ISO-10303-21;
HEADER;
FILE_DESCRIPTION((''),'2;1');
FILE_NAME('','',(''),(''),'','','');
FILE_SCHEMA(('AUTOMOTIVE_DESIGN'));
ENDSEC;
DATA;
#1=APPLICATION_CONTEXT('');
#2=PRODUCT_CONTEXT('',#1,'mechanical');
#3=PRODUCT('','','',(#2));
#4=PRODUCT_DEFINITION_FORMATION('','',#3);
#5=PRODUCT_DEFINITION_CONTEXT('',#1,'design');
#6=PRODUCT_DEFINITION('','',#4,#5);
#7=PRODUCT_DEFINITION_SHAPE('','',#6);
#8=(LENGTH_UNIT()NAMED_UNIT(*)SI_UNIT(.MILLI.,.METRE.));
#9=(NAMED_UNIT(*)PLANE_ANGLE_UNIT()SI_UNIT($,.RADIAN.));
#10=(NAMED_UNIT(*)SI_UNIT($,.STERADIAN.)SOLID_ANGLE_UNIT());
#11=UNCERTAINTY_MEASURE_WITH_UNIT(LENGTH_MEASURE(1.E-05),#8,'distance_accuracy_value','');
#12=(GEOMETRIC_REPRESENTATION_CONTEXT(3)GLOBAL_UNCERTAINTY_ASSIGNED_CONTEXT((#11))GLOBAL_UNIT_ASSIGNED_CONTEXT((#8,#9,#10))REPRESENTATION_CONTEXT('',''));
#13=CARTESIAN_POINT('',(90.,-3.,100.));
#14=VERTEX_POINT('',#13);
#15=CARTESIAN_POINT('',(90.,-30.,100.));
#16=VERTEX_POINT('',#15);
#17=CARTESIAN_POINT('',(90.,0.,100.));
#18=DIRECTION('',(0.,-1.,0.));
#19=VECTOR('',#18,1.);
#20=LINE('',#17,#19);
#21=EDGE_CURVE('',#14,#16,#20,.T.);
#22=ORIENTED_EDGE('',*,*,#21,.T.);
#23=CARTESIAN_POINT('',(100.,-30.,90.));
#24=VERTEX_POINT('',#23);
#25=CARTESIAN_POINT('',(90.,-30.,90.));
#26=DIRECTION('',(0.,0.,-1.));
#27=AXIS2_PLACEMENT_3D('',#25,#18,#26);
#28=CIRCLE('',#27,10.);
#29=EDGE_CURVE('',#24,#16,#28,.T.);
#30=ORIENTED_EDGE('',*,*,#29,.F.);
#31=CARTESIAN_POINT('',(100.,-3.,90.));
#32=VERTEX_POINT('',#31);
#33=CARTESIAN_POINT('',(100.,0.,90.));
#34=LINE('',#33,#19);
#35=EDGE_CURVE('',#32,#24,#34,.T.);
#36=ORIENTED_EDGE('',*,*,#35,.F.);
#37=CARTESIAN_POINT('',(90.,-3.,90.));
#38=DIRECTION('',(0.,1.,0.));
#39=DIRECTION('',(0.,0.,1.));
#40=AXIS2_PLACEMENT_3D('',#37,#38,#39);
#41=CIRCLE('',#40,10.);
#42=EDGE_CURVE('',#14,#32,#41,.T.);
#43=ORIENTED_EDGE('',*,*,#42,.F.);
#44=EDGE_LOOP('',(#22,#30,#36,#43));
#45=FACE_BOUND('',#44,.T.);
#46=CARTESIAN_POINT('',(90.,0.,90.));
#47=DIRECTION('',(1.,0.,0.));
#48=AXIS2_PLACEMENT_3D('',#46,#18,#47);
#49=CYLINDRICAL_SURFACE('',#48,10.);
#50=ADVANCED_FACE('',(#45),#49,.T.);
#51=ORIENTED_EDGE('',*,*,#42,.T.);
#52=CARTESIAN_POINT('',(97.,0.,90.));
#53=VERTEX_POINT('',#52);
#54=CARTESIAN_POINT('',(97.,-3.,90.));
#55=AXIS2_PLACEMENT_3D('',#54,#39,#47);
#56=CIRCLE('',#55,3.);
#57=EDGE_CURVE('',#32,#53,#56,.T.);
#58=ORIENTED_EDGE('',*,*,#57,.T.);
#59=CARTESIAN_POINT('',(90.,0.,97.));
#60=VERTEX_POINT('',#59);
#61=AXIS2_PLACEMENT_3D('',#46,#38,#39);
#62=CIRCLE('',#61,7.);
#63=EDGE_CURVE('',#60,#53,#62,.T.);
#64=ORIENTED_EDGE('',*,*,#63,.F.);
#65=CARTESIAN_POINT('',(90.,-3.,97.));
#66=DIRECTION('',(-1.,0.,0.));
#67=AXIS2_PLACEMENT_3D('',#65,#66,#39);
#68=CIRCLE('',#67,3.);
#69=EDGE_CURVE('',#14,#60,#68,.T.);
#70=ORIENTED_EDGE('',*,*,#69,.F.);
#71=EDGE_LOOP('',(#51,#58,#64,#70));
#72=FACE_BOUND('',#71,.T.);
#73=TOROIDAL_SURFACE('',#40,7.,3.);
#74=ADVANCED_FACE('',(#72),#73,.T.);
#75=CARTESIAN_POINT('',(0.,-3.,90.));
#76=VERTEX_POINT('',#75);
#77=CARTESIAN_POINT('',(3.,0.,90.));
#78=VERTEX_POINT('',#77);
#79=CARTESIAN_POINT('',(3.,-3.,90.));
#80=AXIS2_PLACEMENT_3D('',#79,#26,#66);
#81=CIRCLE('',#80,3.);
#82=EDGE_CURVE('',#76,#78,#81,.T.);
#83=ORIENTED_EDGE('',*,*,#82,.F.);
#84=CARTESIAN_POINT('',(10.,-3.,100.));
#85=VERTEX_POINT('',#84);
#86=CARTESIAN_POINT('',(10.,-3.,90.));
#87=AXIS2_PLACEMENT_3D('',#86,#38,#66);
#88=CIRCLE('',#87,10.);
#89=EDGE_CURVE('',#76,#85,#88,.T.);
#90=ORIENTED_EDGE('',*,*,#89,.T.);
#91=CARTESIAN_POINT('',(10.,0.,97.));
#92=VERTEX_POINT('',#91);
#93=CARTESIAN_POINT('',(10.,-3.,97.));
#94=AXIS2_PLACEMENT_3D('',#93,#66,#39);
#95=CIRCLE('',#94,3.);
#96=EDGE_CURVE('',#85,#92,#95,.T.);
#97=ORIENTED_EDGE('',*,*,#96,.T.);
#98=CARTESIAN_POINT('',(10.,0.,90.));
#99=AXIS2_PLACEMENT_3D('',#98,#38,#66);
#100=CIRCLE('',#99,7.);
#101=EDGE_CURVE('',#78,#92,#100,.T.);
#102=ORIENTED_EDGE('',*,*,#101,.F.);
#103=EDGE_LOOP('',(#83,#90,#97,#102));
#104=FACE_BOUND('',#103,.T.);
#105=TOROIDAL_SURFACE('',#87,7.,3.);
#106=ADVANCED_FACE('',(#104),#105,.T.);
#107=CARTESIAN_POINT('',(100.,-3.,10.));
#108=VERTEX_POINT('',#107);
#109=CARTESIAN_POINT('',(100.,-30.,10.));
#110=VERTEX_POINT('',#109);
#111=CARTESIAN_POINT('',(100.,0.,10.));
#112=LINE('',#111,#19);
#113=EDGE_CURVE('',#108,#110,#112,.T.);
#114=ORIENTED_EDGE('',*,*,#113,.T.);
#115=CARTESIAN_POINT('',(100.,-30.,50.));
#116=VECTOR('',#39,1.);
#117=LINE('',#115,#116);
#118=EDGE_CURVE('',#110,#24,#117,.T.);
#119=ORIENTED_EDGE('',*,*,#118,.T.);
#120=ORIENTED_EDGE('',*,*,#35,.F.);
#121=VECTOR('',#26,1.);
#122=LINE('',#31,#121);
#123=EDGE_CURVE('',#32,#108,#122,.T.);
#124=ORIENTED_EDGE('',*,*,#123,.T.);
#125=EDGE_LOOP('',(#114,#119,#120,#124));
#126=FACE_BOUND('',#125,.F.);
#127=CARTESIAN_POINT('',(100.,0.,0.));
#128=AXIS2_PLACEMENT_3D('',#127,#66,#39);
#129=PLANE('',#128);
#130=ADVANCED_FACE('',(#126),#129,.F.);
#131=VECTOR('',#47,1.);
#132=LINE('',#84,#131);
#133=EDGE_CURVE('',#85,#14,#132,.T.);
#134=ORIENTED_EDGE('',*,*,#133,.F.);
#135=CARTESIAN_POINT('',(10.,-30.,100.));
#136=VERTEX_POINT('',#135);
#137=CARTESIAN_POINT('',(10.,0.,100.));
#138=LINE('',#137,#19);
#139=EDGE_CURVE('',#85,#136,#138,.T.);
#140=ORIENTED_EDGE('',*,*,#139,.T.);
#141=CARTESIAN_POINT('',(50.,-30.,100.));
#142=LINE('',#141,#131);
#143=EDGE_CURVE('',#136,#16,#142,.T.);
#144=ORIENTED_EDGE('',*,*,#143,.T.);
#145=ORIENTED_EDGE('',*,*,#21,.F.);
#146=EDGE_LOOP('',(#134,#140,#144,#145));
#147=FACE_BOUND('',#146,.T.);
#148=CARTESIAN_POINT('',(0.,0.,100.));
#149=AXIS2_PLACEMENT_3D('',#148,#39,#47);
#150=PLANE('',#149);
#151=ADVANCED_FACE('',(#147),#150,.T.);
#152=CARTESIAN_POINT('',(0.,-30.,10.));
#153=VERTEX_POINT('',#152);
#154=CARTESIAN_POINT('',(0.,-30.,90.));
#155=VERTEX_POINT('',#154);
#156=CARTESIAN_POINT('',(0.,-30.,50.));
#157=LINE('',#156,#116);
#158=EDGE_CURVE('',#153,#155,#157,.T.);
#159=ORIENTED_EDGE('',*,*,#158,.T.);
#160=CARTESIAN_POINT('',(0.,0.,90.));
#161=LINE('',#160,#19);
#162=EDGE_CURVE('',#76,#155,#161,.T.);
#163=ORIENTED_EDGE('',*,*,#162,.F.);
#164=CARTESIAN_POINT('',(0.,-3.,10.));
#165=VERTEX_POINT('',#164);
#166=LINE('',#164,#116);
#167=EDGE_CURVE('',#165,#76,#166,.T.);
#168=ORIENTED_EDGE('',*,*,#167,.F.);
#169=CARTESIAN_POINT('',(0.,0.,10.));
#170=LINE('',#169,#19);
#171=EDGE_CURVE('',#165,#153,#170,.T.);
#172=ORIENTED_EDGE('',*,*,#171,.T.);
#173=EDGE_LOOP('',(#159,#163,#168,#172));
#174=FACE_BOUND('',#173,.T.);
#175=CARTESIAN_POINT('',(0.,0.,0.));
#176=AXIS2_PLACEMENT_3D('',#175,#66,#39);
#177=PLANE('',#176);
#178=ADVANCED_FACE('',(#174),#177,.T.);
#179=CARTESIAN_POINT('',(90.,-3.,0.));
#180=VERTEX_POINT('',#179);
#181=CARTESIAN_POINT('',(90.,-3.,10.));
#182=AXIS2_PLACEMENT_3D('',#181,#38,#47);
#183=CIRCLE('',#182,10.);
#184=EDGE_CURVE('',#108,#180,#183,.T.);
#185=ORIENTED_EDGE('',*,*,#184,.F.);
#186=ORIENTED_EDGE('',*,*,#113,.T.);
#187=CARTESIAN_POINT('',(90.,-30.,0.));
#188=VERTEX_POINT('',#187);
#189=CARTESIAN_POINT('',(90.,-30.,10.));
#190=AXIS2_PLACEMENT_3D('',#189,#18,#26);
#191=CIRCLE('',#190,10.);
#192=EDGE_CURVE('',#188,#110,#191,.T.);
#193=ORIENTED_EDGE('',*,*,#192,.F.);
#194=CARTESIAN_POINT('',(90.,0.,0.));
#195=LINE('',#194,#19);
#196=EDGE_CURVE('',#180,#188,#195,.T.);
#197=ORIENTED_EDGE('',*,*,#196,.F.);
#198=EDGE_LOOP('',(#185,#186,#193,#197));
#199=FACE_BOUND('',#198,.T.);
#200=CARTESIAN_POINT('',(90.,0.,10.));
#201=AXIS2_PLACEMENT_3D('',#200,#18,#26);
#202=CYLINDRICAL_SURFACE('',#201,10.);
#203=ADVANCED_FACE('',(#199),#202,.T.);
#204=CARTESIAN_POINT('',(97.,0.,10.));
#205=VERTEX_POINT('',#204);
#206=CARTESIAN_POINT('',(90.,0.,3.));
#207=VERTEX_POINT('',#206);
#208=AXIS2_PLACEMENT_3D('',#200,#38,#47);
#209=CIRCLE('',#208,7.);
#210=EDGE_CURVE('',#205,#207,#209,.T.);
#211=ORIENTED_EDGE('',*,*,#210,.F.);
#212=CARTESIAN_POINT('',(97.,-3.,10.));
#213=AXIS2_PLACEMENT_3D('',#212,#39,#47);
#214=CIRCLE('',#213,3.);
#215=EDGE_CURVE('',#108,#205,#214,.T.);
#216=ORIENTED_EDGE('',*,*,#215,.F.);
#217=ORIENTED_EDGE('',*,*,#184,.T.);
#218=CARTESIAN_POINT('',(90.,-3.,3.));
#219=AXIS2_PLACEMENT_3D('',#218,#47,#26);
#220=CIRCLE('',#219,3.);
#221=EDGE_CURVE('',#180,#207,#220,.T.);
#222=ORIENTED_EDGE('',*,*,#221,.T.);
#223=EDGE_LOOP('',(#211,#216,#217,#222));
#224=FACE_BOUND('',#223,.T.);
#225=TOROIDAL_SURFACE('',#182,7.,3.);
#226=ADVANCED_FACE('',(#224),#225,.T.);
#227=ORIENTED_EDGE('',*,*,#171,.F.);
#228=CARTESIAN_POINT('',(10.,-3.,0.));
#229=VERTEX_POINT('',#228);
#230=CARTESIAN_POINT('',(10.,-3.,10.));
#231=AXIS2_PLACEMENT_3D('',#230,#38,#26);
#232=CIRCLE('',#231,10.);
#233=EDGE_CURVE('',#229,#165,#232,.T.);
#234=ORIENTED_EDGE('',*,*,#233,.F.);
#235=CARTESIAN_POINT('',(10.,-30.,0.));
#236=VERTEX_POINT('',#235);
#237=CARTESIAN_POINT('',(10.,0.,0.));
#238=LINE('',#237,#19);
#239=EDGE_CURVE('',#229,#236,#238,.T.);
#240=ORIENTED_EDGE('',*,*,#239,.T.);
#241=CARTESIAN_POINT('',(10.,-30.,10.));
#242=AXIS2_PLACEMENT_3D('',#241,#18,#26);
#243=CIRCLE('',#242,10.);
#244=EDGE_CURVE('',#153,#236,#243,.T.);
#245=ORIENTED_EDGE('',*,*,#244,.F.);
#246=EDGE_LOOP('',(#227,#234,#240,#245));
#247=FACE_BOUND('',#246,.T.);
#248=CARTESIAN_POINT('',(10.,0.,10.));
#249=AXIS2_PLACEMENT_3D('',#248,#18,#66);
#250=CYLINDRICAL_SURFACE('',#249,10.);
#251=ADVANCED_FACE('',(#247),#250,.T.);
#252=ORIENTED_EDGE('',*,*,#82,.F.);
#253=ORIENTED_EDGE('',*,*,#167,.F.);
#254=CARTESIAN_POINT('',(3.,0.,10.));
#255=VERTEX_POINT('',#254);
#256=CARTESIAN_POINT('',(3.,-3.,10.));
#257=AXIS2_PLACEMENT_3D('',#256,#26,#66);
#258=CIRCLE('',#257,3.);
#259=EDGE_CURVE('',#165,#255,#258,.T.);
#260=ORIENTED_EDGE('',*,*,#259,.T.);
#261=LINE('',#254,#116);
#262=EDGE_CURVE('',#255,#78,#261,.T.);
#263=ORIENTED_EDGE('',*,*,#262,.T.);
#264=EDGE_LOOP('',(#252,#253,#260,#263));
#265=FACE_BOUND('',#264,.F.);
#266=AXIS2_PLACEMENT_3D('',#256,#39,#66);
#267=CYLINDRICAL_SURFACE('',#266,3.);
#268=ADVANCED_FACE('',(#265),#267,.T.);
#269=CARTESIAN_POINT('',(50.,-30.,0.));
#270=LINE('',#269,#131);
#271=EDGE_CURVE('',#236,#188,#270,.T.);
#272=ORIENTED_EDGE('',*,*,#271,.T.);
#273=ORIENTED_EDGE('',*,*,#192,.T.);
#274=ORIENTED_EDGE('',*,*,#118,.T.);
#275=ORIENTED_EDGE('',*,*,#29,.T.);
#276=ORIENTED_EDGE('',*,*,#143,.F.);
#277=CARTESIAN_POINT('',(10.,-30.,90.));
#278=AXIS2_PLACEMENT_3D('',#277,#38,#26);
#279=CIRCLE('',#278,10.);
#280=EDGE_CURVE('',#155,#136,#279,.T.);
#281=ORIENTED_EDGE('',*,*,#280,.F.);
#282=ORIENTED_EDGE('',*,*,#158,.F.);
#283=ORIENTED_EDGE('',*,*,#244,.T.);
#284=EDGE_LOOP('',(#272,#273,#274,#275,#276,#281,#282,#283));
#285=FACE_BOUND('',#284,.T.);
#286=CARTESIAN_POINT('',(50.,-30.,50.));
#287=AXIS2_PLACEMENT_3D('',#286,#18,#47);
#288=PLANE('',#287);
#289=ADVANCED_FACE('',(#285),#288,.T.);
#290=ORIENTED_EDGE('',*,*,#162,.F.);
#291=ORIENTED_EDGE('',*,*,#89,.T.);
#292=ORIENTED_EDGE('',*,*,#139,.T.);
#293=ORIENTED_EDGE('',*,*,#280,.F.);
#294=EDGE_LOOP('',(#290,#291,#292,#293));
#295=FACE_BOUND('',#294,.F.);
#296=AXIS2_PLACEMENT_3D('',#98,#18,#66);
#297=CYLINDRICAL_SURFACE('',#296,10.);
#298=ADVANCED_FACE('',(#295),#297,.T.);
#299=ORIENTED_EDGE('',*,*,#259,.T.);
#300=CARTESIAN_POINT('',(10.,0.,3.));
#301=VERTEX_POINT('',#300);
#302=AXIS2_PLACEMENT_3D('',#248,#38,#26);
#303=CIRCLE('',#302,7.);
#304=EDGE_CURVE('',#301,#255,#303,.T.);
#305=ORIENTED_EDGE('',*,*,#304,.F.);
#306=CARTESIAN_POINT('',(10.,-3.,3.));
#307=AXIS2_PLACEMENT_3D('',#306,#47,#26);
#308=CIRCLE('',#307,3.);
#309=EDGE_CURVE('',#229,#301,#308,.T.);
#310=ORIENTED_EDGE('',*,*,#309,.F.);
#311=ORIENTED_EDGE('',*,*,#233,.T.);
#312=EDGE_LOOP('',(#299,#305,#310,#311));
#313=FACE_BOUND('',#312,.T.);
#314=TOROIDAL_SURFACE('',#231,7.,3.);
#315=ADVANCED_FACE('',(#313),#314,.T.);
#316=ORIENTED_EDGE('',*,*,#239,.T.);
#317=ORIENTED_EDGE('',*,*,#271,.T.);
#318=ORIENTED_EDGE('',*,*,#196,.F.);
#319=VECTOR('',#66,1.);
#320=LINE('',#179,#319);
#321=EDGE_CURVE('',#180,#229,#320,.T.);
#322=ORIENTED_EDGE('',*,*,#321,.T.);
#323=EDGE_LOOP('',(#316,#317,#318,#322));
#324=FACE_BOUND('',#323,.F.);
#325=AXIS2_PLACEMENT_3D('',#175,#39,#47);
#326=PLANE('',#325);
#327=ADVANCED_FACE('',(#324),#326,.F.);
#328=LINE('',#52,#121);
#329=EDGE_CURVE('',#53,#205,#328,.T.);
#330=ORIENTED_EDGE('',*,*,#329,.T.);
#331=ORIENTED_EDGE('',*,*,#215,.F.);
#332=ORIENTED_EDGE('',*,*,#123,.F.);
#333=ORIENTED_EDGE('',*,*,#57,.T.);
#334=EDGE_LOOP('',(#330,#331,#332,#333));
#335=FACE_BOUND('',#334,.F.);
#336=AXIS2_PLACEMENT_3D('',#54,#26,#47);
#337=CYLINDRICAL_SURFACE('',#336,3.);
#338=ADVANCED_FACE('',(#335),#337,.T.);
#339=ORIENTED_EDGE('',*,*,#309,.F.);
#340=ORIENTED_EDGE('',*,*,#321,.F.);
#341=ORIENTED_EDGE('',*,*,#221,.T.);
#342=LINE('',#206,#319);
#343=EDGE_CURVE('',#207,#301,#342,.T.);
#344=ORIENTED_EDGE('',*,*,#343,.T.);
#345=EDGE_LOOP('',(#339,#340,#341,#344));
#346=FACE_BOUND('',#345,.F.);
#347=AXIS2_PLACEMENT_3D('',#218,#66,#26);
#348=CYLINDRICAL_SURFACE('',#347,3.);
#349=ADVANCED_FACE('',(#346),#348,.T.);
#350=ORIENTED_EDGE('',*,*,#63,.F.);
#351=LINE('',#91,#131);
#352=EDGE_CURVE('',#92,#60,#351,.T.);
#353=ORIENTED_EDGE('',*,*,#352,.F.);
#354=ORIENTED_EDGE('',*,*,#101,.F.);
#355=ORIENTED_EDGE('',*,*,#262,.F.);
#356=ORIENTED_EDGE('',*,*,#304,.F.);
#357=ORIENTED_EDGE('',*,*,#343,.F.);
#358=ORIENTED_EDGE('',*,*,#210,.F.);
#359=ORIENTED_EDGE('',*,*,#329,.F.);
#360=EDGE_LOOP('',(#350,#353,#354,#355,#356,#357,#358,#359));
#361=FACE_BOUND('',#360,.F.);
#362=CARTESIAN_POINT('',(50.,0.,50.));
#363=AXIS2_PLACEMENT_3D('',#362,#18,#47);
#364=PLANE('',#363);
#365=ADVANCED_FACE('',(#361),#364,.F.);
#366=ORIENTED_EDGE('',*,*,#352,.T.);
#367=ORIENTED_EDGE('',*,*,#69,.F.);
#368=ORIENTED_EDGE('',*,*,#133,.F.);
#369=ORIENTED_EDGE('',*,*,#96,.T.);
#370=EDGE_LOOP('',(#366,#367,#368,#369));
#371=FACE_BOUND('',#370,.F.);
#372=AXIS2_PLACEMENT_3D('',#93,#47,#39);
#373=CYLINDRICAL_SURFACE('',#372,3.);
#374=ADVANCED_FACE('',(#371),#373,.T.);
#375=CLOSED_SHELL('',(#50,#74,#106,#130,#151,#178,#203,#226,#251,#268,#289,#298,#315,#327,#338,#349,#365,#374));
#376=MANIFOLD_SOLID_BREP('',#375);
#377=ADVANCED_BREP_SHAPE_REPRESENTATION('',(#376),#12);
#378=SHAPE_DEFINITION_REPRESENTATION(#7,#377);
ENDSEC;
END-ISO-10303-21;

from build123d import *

# Parameters (mm, degrees)
F0_W     = 100
F0_H     = 100
F1_DEPTH = 30
F2_R     = 10
F3_R     = 3


with BuildPart() as f1:
    # F0 (on Front) → F1 (new body)
    with BuildSketch(Plane.XZ):
        with Locations((50, 50)):
            Rectangle(F0_W, F0_H)
    extrude(amount=F1_DEPTH)

    # F2
    f2_edges = [f1.edges().sort_by_distance(p)[0] for p in [
        (0, -15, 100),
        (0, -15, 0),
        (100, -15, 0),
        (100, -15, 100),
    ]]
    fillet(f2_edges, radius=F2_R)

    # F3
    f3_edges = [f1.edges().sort_by_distance(p)[0] for p in [
        (0, 0, 50),
        (2.928932, 0, 97.071068),
        (2.928932, 0, 2.928932),
        (50, 0, 100),
        (50, 0, 0),
        (97.071068, 0, 97.071068),
        (97.071068, 0, 2.928932),
        (100, 0, 50),
    ]]
    fillet(f3_edges, radius=F3_R)


solid = f1.part
